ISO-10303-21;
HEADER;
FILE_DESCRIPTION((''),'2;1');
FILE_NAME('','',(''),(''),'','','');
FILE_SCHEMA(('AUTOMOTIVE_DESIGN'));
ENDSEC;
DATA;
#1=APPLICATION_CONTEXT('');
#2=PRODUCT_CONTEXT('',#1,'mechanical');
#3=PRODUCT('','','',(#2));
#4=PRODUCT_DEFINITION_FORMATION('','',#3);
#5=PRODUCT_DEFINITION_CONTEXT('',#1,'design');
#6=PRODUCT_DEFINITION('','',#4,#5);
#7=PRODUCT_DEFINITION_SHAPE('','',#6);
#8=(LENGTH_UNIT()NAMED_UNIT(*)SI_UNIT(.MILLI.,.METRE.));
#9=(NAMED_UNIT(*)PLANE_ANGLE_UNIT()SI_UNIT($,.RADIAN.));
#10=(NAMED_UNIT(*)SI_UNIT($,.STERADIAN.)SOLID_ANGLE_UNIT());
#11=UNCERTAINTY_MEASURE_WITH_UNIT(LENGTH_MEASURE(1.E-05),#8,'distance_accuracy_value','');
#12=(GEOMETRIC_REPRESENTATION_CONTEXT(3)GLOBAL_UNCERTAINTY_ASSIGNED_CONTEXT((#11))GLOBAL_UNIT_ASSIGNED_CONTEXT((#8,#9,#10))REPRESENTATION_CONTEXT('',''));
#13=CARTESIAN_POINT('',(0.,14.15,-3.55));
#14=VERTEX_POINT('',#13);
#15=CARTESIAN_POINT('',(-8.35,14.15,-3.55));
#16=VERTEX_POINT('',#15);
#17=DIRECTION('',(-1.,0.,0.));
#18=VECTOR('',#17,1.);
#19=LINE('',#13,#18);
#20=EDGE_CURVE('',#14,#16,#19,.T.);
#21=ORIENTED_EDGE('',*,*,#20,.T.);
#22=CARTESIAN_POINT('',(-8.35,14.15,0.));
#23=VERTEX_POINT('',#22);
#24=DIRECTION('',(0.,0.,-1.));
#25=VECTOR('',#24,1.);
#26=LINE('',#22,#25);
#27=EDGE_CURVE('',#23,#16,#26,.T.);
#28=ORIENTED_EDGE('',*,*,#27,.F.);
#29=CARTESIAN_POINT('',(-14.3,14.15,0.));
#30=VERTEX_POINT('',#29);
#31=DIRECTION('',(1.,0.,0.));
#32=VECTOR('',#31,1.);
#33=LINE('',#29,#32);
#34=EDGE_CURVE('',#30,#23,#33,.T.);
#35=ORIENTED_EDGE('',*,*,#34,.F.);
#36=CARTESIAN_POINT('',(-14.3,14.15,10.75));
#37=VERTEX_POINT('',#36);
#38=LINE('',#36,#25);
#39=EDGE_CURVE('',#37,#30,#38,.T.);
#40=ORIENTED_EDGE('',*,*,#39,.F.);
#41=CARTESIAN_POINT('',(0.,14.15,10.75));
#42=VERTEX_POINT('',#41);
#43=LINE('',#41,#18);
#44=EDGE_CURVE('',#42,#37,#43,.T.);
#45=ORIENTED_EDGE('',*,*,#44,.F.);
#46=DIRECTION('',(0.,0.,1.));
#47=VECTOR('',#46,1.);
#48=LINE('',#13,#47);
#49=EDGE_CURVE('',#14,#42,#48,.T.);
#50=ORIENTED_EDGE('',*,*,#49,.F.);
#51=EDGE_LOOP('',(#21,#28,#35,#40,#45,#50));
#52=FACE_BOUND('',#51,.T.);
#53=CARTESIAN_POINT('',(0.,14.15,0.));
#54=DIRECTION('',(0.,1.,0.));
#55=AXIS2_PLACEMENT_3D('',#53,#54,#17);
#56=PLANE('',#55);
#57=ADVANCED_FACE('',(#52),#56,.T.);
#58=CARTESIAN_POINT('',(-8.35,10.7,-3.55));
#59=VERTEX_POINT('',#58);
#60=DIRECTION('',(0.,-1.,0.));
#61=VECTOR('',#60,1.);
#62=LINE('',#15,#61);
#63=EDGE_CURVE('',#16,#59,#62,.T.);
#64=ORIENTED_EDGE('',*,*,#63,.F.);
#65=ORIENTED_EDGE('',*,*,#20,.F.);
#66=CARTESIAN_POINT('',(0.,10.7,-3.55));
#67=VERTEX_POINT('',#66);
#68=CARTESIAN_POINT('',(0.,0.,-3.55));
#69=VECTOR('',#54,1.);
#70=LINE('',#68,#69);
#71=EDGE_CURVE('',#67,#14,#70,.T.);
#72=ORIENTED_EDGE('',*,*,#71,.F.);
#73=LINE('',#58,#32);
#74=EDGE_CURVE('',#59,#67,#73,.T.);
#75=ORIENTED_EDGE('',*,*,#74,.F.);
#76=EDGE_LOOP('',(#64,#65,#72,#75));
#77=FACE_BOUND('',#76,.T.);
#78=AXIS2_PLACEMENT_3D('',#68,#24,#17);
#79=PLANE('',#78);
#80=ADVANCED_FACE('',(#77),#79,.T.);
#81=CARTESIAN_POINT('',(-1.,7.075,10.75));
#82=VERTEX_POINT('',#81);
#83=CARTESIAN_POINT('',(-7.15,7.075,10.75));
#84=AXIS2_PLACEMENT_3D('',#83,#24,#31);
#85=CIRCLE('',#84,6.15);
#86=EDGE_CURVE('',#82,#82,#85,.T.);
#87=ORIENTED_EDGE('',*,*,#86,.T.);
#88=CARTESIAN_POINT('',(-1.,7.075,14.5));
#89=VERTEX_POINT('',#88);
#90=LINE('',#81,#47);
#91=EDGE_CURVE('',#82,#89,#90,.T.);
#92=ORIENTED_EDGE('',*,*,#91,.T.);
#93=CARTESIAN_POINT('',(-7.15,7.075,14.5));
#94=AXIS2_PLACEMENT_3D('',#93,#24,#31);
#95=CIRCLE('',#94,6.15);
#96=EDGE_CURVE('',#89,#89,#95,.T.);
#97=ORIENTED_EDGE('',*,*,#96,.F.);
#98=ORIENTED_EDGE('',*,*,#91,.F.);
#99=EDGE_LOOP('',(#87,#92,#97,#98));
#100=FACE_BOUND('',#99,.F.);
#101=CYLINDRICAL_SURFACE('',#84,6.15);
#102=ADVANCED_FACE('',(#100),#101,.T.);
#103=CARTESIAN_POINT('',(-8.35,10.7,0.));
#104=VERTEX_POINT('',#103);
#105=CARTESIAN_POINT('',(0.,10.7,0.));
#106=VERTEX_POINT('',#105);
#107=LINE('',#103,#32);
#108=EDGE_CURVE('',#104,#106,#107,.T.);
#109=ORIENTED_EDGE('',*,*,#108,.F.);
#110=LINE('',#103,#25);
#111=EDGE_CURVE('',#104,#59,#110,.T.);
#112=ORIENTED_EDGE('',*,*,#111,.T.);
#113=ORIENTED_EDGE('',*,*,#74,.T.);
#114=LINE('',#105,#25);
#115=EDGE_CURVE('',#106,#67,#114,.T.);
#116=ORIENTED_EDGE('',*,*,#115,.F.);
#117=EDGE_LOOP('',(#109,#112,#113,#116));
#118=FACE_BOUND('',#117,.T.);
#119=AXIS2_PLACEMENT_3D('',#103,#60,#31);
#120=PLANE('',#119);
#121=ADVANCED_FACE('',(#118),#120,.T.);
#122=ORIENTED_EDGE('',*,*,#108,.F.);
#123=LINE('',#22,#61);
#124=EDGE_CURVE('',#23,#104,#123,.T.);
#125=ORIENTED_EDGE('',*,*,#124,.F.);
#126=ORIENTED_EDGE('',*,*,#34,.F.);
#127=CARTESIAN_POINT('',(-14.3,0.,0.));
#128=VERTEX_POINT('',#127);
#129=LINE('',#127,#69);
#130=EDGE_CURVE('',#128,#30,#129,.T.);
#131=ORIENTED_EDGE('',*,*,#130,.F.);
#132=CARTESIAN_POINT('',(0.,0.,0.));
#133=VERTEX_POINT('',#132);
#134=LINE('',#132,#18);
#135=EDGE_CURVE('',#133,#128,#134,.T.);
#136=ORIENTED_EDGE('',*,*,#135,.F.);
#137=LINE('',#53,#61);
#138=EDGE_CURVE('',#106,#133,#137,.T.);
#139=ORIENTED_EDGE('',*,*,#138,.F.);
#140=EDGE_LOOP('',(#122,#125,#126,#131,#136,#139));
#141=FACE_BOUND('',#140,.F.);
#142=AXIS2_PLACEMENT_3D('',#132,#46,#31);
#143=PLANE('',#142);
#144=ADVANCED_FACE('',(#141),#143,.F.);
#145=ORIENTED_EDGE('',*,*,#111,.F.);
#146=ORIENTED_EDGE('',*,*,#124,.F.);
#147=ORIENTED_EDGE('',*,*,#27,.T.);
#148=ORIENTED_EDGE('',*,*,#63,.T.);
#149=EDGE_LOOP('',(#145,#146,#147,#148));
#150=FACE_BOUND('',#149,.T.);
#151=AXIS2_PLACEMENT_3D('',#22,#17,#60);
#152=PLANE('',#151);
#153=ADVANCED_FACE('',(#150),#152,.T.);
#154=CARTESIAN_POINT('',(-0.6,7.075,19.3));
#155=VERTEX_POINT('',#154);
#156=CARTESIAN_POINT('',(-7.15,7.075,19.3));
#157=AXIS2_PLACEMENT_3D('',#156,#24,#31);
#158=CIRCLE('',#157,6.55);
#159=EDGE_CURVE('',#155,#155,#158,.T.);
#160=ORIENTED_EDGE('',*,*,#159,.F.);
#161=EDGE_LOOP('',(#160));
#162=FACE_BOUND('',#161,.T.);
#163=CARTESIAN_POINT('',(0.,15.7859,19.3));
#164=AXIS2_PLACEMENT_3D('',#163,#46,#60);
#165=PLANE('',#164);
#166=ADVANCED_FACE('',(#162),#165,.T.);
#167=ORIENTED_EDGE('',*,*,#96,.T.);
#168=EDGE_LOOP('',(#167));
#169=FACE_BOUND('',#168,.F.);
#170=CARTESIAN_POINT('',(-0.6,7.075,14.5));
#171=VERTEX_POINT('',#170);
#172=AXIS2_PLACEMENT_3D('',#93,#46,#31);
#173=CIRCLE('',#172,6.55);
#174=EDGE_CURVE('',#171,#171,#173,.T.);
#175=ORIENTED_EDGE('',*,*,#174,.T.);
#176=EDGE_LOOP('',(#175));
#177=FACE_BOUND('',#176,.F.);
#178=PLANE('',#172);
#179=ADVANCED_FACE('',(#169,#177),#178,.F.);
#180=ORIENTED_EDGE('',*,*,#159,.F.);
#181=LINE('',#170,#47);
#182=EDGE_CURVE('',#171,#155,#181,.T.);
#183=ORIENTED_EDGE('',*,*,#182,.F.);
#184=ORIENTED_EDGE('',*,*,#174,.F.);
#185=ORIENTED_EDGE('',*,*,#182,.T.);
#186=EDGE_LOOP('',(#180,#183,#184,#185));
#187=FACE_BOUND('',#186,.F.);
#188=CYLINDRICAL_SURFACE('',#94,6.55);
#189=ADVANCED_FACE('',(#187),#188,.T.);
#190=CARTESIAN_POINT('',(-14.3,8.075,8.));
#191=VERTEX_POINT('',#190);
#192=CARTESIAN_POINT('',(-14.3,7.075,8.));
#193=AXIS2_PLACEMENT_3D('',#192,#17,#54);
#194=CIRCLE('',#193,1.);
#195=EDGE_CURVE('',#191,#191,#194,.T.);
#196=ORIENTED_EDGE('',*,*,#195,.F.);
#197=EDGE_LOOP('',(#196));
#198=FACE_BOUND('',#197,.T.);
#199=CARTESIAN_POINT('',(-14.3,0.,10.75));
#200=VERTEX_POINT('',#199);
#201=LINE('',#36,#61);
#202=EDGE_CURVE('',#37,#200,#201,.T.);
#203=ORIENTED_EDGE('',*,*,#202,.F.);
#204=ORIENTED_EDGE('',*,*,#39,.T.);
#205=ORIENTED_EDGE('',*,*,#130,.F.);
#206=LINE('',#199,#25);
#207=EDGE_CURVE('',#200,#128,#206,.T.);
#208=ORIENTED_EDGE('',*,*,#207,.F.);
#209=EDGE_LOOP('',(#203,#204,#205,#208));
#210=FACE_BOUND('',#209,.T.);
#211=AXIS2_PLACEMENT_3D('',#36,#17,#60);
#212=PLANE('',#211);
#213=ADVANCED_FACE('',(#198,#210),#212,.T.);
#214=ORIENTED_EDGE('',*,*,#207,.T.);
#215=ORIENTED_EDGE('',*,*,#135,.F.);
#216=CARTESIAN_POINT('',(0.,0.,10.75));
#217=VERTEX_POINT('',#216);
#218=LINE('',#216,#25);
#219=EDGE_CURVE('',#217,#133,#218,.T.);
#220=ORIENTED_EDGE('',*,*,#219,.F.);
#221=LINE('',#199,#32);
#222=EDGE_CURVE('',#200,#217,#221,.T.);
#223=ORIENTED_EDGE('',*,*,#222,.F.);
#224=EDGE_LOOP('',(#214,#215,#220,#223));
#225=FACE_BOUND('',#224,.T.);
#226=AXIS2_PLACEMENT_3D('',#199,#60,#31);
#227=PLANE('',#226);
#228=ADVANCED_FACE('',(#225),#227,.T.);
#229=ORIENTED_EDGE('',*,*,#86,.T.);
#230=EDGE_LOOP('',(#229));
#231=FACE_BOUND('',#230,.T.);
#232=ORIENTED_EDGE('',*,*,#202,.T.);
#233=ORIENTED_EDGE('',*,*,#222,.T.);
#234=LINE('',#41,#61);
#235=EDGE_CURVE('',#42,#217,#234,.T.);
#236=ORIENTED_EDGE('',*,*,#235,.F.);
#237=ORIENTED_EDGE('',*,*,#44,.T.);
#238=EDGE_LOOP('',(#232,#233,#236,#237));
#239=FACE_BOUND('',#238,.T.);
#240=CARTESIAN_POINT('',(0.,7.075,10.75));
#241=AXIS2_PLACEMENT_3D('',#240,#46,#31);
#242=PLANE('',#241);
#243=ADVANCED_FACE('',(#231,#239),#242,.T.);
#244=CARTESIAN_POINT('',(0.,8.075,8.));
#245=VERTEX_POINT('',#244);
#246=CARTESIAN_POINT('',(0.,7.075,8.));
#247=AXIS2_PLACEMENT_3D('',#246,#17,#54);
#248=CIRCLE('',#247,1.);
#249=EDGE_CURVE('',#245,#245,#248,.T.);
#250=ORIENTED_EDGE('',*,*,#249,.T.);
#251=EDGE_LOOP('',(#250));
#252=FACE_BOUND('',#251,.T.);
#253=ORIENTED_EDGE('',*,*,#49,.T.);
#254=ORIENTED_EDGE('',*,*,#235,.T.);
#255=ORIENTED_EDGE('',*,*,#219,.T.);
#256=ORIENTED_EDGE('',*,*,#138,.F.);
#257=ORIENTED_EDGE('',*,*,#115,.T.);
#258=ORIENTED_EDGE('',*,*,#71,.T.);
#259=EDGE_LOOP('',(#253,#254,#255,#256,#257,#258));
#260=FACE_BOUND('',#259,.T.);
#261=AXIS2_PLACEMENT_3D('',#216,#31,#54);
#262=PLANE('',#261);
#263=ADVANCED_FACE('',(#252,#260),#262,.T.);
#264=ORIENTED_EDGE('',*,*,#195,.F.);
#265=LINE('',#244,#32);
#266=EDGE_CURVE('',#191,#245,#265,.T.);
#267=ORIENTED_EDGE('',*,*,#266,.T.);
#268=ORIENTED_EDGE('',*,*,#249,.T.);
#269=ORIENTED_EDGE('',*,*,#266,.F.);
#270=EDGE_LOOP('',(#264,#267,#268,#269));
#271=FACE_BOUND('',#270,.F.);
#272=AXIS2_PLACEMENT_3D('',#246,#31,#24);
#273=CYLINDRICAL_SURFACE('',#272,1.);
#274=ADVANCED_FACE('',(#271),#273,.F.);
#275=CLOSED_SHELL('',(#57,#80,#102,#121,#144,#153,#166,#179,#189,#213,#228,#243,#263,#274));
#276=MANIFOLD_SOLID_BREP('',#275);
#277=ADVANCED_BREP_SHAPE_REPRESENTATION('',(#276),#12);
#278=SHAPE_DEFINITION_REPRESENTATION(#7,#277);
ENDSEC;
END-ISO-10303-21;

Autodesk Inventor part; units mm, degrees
ref_plane "YZ Plane" through (0, 0, 0) normal (1, 0, 0) x (0, 1, 0)
ref_plane "XZ Plane" through (0, 0, 0) normal (0, 1, 0) x (-1, 0, 0)
sketch "Sketch1" plane through (0, 0, 0) normal (0, 0, 1) x (1, 0, 0)
  line L0 (0, 0) -> (-14.3, 0)
  line L1 (-14.3, 0) -> (-14.3, 14.15)
  line L2 (-14.3, 14.15) -> (0, 14.15)
  line L3 (0, 14.15) -> (0, 0)
  dimension "d0" = 14.15
  dimension "d1" = 14.3
extrude "Extrusion1" add sketch "Sketch1" along normal blind 8
sketch "Sketch2" plane through (0, 0, 0) normal (1, 0, 0) x (0, 0, -1)
  line L0 (0, 0) -> (0, 14.15) projected
  line L1 (0, 14.15) -> (-8, 14.15) projected
  line L2 (-8, 0) -> (-8, 14.15) projected
  line L3 (0, 0) -> (-8, 0) projected
  line L4 (0, 0) -> (0, 14.15) construction
  line L5 (0, 7.075) -> (-10.75, 7.075) construction
  line L6 (-8, 0) -> (-8, 14.15) projected
  circle A0 centre (-8, 7.075) radius 1
  circle A1 centre (-8, 7.075) radius 2.75
  point P0 (-8, 9.825)
  point P1 (-8, 4.325)
  point P2 (-8, 8.075)
  point P3 (-8, 6.075)
  dimension "d4" = 10.75
  dimension "d5" = 2
extrude "Extrusion2" add sketch "Sketch2" against normal up to surface (14.3 mm away) contours A1 L2 A0 | A0 L2 picked at (-9.5833, 8.5314) picked at (-8.3098, 7.4083)
extrude "Extrusion3" cut sketch "Sketch2" against normal up to surface (14.3 mm away) contours A0 L2 | L2 A0
ref_plane "Work Plane1" through (0, 7.075, 10.75) normal (0, 0, 1) x (1, 0, 0)
sketch "Sketch3" plane through (0, 7.075, 10.75) normal (0, 0, 1) x (1, 0, 0)
  line L0 (-14.3, 2.75) -> (0, 2.75) projected
  line L1 (0, 2.75) -> (0, 7.075) projected
  line L2 (0, 7.075) -> (-14.3, 7.075) projected
  line L3 (-14.3, 7.075) -> (-14.3, 2.75) projected
  line L4 (0, -2.75) -> (-14.3, -2.75) projected
  line L5 (-14.3, -2.75) -> (-14.3, -7.075) projected
  line L6 (-14.3, -7.075) -> (0, -7.075) projected
  line L7 (0, -7.075) -> (0, -2.75) projected
  line L8 (-14.3, 2.75) -> (-14.3, -2.75) projected
  line L9 (0, -2.75) -> (-14.3, -2.75) projected
  line L10 (0, 2.75) -> (0, -2.75) projected
  line L11 (-14.3, 2.75) -> (0, 2.75) projected
  line L12 (0, 7.075) -> (-14.3, 7.075) construction
  line L13 (-7.15, 7.075) -> (-7.15, -7.075) construction
  line L14 (-14.3, -7.075) -> (0, -7.075) construction
  circle A0 centre (-7.15, 0) radius 6.15
  dimension "d10" = 12.3
extrude "Extrusion4" add sketch "Sketch3" against normal up to surface (2.75 mm away) contours A0 L0 | L0 A0 L4 | L4 A0
extrude "Extrusion5" cut sketch "Sketch2" against normal up to surface (14.3 mm away) contours A0 L2 picked at (-8.3098, 7.4083)
extrude "Extrusion6" add sketch "Sketch3" along normal blind 8 contours A0 L0 | L0 A0 L4 | L4 A0
sketch "Sketch4" plane through (0, 0, 0) normal (1, 0, 0) x (0, 0, -1)
  line L0 (0, 0) -> (0, 14.15) construction
  line L1 (0, 7.075) -> (-14.5, 7.075) construction
  line L2 (-18.75, 0.925) -> (-8, 0.925) construction
  line L3 (-14.5, 0.925) -> (-23.2095, 0.925)
  line L4 (-23.2095, 0.925) -> (-23.2095, 17.6688)
  line L5 (-23.2095, 17.6688) -> (-14.5, 17.6688)
  line L6 (-14.5, 17.6688) -> (-14.5, 0.925)
  dimension "d17" = 14.5
extrude "Extrusion7" cut sketch "Sketch4" against normal through all
sketch "Sketch5" plane through (-7.15, 7.075, 14.5) normal (0, 0, 1) x (1, 0, 0)
  circle A0 centre (0, 0) radius 6.55
  point P0 (7.15, -7.075)
  dimension "d20" = 13.1
extrude "Extrusion8" add sketch "Sketch5" along normal blind 8
sketch "Sketch6" plane through (0, 0, 0) normal (1, 0, 0) x (0, 0, -1)
  circle A0 centre (-8, 7.075) radius 1 construction
  line L0 (0, 0) -> (0, 14.15) construction
  line L1 (0, 14.15) -> (-8, 14.15) construction
  line L2 (-8, 9.825) -> (-8, 14.15) construction
  arc A1 (-8, 9.825) -> (-8, 4.325) centre (-8, 7.075) ccw construction
  line L3 (-8, 0) -> (-8, 4.325) construction
  line L4 (0, 0) -> (-8, 0) construction
  line L5 (0, 14.15) -> (0, 0) construction
  line L6 (0, 7.075) -> (-19.3, 7.075) construction
  line L7 (-14.5, 0.525) -> (-22.5, 0.525) projected
  line L8 (-19.3, 0.525) -> (-27.8316, 0.525)
  line L9 (-27.8316, 0.525) -> (-27.8316, 15.7859)
  line L10 (-27.8316, 15.7859) -> (-19.3, 15.7859)
  line L11 (-19.3, 15.7859) -> (-19.3, 0.525)
  dimension "d23" = 19.3
extrude "Extrusion9" cut sketch "Sketch6" against normal through all
fillet "Fillet1" radius 5 4 edges at (-0.8245, 4.325, 8) (-0.8245, 9.825, 8) (-13.4755, 4.325, 8) (-13.4755, 9.825, 8)
sketch "Sketch7" plane through (0, 0, 0) normal (0, 0, -1) x (-1, 0, 0)
  line L0 (14.3, 0) -> (0, 0) projected
  line L1 (14.3, 14.15) -> (14.3, 0) projected
  line L2 (0, 14.15) -> (14.3, 14.15) projected
  line L3 (0, 0) -> (0, 14.15) projected
  line L4 (0, 14.15) -> (14.3, 14.15) projected
  line L5 (0, 14.15) -> (8.35, 14.15)
  line L6 (8.35, 14.15) -> (8.35, 10.7)
  line L7 (8.35, 10.7) -> (0, 10.7)
  line L8 (0, 10.7) -> (0, 14.15)
  dimension "d28" = 8.35
  dimension "d29" = 3.45
extrude "Extrusion10" add sketch "Sketch7" along normal blind 3.55 contours L3 L2 L6 L7
sketch "Sketch8" plane through (0, 7.075, 10.75) normal (0, 0, 1) x (1, 0, 0)
  line L0 (0, 7.075) -> (-14.3, 7.075) projected
  line L1 (-14.3, -7.075) -> (0, -7.075) projected
  line L2 (-14.3, 7.075) -> (-14.3, -7.075)
  line L3 (0, -7.075) -> (0, 7.075)
extrude "Extrusion11" add sketch "Sketch8" against normal up to surface (2.75 mm away)
extrude "Extrusion12" cut sketch "Sketch2" against normal up to surface (14.3 mm away) contours A0 L2 picked at (-8.3098, 7.4083)
sketch "Sketch9" plane through (0, 0, 0) normal (1, 0, 0) x (0, 0, -1)
  circle A0 centre (-8, 7.075) radius 1 projected
  line L0 (0, 0) -> (-10.75, 0) projected
  line L1 (0, 0) -> (0, 10.7) projected
  line L2 (0, 10.7) -> (3.55, 10.7) projected
  line L3 (3.55, 14.15) -> (3.55, 10.7) projected
  line L4 (3.55, 14.15) -> (-10.75, 14.15) projected
  line L5 (-10.75, 0) -> (-10.75, 14.15) projected
  line L6 (0, 7.075) -> (-142.5994, 7.075)
  line L7 (0, 7.075) -> (195.5312, 7.075)
properties part number "dummy camera"
